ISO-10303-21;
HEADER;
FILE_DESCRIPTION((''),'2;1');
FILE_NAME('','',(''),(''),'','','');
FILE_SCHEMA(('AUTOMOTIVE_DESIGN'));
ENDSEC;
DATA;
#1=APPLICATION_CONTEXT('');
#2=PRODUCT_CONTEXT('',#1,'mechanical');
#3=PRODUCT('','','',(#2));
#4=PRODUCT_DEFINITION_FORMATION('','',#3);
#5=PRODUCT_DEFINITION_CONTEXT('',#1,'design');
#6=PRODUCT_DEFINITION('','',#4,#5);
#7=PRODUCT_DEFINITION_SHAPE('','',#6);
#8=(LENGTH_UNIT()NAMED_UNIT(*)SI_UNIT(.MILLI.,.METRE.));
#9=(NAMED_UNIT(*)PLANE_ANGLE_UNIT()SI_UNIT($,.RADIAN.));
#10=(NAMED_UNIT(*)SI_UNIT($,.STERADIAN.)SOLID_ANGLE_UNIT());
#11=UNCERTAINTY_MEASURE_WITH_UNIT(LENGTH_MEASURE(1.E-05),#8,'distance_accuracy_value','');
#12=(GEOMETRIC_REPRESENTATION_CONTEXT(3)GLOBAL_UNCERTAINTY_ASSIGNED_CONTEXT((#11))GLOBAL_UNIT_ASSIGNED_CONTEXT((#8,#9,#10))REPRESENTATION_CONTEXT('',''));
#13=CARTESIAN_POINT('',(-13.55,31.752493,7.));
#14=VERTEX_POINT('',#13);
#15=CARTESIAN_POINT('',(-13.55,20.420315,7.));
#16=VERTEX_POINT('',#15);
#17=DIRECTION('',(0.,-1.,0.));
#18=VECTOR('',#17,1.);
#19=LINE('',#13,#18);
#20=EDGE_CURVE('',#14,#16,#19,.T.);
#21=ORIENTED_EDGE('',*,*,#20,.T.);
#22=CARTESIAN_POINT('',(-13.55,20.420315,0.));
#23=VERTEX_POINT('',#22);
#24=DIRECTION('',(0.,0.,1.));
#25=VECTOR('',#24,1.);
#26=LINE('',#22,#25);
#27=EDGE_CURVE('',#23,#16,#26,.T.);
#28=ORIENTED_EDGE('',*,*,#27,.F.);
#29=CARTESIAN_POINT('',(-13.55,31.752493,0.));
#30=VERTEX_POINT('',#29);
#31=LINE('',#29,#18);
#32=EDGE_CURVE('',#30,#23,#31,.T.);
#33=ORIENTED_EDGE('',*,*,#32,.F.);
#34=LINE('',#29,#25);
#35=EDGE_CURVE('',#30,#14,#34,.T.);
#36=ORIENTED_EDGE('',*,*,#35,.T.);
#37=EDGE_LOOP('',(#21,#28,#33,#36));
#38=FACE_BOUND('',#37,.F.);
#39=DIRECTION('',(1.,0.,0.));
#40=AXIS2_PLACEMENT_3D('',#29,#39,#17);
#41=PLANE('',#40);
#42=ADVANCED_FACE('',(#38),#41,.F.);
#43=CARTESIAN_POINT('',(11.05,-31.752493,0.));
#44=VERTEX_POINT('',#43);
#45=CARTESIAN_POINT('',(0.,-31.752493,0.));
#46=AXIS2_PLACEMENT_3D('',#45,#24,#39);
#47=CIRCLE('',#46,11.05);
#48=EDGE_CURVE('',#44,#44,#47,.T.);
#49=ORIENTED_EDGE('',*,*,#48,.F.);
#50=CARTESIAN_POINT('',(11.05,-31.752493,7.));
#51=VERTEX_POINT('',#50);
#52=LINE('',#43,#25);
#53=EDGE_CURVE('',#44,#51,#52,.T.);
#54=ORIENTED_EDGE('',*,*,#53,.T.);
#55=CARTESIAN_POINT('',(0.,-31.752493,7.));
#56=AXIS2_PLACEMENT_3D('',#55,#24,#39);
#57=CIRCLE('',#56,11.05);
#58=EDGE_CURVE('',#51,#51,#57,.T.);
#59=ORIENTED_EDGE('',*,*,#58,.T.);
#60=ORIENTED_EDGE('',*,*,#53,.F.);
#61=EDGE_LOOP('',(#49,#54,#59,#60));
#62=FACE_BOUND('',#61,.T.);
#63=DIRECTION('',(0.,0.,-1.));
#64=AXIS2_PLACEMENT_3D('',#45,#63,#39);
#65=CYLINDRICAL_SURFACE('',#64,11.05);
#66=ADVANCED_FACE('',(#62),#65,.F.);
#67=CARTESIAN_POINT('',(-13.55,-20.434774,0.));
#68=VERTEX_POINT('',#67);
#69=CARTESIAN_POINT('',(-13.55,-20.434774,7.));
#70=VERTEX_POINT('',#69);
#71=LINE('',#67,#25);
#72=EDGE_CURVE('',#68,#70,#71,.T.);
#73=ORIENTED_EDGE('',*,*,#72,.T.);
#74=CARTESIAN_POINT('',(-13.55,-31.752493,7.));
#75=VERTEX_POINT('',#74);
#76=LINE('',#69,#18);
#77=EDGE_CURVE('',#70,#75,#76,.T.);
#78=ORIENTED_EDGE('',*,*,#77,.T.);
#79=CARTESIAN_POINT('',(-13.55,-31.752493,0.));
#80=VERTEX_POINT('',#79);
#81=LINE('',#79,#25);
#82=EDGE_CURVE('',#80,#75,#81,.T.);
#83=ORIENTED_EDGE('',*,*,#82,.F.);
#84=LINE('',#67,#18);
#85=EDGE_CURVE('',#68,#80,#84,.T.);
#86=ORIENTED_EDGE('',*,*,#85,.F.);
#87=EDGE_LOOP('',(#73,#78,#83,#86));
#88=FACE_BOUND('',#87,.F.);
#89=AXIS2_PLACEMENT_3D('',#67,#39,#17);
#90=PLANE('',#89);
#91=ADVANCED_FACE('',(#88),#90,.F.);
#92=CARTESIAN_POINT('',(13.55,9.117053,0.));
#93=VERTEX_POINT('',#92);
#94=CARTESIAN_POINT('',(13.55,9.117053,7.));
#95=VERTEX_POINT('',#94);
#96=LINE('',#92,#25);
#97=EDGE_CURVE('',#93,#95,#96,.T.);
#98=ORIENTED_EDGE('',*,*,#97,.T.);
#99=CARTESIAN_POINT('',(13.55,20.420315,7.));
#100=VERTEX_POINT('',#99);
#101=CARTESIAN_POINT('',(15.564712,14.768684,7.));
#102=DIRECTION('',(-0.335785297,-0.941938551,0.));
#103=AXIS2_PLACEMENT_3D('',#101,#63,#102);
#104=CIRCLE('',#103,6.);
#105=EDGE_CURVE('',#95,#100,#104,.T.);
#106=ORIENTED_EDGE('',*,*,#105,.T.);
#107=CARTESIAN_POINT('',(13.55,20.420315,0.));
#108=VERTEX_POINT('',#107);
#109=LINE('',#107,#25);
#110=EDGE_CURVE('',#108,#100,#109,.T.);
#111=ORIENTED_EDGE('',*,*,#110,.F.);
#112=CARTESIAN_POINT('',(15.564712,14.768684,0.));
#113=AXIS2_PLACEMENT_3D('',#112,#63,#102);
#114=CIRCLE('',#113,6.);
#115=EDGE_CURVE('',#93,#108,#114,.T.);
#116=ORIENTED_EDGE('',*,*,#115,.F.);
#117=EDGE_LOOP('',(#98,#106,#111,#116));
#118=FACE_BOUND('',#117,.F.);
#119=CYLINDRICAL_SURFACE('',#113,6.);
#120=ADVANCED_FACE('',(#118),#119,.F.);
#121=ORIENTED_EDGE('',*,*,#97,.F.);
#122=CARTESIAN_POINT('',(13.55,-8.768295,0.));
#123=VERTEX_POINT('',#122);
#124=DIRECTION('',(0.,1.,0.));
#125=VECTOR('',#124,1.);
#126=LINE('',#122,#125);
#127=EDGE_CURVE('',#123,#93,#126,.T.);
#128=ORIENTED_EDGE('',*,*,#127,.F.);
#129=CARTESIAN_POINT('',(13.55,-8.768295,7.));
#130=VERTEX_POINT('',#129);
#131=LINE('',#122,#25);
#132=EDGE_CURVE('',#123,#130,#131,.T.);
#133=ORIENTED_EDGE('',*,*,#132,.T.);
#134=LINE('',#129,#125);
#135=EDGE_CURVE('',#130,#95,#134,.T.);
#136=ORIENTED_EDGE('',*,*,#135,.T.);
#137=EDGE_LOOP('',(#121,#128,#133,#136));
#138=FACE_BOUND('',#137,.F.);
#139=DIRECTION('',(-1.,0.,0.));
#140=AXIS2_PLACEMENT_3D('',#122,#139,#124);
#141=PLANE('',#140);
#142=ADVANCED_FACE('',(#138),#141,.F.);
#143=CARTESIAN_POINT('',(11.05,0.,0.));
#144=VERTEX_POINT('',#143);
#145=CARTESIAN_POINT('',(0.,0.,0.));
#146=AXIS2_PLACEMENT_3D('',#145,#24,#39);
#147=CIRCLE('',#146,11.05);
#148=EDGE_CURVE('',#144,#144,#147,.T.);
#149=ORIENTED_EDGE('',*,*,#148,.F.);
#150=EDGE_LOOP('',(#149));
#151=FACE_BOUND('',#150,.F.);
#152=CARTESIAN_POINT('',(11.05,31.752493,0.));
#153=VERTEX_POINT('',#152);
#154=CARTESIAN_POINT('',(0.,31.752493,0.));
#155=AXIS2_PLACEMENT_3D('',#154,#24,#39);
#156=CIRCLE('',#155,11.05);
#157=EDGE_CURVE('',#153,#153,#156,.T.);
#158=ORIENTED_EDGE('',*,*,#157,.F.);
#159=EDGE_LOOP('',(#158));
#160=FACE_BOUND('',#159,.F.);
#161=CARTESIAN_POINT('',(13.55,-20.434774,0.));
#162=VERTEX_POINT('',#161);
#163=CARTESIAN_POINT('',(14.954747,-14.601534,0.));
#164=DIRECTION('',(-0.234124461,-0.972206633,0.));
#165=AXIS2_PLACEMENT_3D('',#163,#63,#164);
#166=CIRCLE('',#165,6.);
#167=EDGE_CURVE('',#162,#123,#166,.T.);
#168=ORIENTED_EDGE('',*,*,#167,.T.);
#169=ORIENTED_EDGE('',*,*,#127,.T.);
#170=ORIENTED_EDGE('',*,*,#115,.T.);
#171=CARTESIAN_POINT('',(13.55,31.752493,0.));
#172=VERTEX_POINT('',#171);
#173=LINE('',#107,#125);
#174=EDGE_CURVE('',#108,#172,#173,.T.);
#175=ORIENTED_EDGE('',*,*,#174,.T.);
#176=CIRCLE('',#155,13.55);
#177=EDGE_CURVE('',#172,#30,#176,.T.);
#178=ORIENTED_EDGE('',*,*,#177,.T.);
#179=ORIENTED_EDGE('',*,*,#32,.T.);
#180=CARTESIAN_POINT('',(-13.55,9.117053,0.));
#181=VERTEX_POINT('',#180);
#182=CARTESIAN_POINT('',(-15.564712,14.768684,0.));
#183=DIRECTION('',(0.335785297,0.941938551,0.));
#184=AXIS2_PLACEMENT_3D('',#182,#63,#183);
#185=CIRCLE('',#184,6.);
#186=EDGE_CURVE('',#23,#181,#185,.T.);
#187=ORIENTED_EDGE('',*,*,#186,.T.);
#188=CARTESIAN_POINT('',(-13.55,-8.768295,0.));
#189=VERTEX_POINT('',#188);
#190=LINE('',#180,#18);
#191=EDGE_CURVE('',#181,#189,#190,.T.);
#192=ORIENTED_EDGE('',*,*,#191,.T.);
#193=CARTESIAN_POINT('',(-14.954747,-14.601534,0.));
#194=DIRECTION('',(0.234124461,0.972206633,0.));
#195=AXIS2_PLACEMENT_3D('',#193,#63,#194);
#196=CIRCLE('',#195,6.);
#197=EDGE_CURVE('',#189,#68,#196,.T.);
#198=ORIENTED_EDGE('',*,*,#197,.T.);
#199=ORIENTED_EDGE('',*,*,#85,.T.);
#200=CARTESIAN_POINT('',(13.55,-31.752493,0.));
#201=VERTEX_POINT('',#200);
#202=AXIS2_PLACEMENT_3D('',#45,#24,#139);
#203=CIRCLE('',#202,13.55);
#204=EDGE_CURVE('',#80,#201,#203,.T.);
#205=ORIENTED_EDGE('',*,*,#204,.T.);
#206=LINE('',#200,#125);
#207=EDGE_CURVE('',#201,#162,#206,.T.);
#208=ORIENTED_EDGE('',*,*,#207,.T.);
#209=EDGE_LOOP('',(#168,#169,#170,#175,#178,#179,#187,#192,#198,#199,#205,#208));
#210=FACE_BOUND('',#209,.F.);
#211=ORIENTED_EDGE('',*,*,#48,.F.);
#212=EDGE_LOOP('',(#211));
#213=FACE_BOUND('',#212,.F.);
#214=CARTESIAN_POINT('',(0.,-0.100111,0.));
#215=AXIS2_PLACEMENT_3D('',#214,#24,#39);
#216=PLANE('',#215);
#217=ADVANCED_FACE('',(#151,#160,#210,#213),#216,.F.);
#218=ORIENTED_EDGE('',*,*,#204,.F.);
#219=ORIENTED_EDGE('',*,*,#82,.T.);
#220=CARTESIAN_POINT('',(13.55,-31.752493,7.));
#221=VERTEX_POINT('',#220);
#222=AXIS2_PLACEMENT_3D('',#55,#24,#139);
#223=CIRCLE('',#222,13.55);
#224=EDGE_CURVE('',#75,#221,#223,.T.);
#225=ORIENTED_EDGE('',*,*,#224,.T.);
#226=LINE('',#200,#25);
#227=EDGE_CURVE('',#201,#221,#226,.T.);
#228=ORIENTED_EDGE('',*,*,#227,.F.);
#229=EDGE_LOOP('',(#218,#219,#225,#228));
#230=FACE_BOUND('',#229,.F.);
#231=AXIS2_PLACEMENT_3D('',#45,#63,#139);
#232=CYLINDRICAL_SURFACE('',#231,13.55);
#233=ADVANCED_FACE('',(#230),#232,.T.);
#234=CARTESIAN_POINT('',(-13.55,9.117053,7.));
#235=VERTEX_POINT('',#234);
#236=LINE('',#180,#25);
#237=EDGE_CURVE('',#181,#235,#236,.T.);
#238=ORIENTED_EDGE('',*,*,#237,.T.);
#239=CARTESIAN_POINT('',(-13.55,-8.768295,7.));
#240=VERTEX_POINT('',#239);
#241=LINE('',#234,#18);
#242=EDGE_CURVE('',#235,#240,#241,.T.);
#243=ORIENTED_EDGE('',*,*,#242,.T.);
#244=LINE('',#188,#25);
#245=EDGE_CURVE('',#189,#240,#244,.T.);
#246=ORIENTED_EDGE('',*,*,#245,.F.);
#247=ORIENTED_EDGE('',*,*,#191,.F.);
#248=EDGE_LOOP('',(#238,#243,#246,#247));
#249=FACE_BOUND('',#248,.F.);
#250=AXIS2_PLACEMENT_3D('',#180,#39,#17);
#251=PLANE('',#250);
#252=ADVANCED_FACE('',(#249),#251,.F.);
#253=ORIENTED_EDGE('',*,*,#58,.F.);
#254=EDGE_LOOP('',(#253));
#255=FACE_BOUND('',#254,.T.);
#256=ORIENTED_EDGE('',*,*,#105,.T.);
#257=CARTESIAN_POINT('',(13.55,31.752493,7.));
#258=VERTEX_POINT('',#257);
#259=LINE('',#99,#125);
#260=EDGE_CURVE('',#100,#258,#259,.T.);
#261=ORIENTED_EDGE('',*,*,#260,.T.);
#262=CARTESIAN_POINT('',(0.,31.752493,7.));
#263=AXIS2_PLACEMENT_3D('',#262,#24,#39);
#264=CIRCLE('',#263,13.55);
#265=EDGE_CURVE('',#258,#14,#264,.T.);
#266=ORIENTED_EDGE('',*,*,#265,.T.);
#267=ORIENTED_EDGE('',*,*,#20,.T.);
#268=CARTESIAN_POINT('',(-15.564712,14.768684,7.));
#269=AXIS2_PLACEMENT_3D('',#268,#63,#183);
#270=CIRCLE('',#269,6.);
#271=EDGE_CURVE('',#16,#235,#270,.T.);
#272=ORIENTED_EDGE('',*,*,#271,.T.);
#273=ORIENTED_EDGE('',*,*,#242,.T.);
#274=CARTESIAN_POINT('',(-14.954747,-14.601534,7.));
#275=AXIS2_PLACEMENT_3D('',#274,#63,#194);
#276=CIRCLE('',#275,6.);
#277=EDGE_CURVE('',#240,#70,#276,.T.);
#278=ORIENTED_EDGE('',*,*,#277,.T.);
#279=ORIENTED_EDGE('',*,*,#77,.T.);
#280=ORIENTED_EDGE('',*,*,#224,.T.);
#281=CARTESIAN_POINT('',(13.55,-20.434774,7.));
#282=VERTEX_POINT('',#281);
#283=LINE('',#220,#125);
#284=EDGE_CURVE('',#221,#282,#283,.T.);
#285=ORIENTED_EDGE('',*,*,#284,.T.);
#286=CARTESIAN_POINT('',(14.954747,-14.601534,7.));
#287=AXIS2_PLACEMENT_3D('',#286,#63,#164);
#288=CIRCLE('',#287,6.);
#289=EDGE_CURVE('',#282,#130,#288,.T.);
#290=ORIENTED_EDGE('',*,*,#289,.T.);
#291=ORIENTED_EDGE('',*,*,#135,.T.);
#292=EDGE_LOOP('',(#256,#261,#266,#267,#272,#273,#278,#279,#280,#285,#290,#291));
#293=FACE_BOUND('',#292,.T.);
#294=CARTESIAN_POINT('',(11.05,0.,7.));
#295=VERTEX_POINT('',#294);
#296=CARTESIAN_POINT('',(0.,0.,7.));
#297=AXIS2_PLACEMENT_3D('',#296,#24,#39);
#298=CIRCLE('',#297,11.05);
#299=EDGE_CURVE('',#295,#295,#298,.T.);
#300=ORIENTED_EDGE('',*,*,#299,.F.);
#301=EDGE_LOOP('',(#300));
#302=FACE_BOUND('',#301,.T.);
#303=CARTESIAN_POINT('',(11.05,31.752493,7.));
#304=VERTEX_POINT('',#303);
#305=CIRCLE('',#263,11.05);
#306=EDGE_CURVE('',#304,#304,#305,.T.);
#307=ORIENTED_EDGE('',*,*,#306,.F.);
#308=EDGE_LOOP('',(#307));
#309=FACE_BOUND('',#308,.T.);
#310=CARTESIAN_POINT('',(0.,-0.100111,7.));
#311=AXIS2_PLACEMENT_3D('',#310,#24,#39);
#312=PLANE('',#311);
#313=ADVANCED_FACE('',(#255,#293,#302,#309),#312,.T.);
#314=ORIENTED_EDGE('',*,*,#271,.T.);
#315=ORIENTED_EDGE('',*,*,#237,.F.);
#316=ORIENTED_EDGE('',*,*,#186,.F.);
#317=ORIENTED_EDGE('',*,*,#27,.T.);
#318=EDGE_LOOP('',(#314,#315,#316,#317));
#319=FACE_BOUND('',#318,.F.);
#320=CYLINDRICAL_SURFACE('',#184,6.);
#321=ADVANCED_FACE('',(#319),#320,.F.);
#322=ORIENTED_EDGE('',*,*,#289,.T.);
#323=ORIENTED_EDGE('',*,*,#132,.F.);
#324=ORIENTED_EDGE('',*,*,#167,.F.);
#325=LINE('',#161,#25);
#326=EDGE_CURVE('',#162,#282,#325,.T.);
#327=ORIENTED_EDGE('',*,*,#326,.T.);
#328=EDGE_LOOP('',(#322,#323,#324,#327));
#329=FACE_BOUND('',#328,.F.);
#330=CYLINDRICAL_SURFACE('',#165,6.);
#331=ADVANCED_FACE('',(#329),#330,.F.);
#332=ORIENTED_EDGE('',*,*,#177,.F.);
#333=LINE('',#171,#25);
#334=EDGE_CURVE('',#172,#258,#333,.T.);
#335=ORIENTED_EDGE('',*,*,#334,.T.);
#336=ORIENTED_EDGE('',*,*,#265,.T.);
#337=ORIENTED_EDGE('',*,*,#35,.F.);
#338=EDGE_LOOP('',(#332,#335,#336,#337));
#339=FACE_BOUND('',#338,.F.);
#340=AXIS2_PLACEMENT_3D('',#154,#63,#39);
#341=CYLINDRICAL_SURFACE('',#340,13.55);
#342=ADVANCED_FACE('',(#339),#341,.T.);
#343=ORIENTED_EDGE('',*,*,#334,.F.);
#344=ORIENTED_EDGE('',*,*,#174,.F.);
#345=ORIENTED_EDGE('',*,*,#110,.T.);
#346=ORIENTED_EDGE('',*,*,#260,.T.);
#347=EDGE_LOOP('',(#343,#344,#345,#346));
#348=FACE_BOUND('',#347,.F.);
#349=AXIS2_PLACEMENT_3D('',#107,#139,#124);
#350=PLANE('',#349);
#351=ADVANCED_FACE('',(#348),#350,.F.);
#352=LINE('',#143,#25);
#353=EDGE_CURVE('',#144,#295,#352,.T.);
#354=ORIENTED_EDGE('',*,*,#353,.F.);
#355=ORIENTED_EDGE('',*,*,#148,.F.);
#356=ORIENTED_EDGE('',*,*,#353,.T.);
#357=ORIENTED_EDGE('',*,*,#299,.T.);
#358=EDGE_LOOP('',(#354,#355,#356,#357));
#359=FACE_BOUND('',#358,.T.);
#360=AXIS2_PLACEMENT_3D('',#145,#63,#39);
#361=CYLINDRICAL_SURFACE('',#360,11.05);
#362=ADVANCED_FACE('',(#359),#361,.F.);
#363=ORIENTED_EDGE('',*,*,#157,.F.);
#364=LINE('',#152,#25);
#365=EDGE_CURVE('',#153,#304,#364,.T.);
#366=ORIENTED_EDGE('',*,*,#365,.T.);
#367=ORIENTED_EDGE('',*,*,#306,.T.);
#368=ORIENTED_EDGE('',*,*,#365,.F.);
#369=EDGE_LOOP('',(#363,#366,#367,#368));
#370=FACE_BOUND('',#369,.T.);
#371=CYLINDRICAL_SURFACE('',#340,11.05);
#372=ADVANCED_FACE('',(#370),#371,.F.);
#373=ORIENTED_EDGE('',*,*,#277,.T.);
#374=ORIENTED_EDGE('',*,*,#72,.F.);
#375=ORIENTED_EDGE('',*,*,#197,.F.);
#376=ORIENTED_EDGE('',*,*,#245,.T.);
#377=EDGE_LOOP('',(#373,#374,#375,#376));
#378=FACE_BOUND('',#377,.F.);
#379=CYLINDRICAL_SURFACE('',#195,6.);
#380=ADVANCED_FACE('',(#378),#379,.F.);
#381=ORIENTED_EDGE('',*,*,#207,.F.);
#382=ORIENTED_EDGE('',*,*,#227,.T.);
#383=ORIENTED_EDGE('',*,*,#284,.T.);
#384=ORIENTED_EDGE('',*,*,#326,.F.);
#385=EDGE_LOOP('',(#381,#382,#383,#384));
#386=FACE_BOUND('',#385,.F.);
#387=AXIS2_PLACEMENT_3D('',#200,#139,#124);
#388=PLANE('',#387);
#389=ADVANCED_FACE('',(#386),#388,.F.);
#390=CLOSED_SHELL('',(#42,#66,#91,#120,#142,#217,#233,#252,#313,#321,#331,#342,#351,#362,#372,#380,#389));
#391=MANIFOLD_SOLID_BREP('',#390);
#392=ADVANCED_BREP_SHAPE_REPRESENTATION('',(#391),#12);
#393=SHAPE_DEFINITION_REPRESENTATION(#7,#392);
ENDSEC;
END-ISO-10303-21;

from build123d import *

# Parameters (mm, degrees)
F0_R     = 11.05
F1_DEPTH = 7


with BuildPart() as f1:
    # F0 (on Top) → F1 (new body)
    with BuildSketch(Plane.XY):
        with BuildLine():
            Line((13.55, 20.420315), (13.55, 31.752493))
            ThreePointArc((13.55, 31.752493), (0, 45.302493), (-13.55, 31.752493))
            Line((-13.55, 31.752493), (-13.55, 20.420315))
            ThreePointArc((-13.55, 20.420315), (-9.564712, 14.768684), (-13.55, 9.117053))
            Line((-13.55, 9.117053), (-13.55, -8.768295))
            ThreePointArc((-13.55, -8.768295), (-8.954747, -14.601535), (-13.55, -20.434774))
            Line((-13.55, -20.434774), (-13.55, -31.752493))
            ThreePointArc((-13.55, -31.752493), (0, -45.302493), (13.55, -31.752493))
            Line((13.55, -31.752493), (13.55, -20.434774))
            ThreePointArc((13.55, -20.434774), (8.954747, -14.601535), (13.55, -8.768295))
            Line((13.55, -8.768295), (13.55, 9.117053))
            ThreePointArc((13.55, 9.117053), (9.564712, 14.768684), (13.55, 20.420315))
        make_face()
        with Locations((0, -31.752493)):
            Circle(F0_R, mode=Mode.SUBTRACT)
        Circle(F0_R, mode=Mode.SUBTRACT)
        with Locations((0, 31.752493)):
            Circle(F0_R, mode=Mode.SUBTRACT)
    extrude(amount=F1_DEPTH)


solid = f1.part
